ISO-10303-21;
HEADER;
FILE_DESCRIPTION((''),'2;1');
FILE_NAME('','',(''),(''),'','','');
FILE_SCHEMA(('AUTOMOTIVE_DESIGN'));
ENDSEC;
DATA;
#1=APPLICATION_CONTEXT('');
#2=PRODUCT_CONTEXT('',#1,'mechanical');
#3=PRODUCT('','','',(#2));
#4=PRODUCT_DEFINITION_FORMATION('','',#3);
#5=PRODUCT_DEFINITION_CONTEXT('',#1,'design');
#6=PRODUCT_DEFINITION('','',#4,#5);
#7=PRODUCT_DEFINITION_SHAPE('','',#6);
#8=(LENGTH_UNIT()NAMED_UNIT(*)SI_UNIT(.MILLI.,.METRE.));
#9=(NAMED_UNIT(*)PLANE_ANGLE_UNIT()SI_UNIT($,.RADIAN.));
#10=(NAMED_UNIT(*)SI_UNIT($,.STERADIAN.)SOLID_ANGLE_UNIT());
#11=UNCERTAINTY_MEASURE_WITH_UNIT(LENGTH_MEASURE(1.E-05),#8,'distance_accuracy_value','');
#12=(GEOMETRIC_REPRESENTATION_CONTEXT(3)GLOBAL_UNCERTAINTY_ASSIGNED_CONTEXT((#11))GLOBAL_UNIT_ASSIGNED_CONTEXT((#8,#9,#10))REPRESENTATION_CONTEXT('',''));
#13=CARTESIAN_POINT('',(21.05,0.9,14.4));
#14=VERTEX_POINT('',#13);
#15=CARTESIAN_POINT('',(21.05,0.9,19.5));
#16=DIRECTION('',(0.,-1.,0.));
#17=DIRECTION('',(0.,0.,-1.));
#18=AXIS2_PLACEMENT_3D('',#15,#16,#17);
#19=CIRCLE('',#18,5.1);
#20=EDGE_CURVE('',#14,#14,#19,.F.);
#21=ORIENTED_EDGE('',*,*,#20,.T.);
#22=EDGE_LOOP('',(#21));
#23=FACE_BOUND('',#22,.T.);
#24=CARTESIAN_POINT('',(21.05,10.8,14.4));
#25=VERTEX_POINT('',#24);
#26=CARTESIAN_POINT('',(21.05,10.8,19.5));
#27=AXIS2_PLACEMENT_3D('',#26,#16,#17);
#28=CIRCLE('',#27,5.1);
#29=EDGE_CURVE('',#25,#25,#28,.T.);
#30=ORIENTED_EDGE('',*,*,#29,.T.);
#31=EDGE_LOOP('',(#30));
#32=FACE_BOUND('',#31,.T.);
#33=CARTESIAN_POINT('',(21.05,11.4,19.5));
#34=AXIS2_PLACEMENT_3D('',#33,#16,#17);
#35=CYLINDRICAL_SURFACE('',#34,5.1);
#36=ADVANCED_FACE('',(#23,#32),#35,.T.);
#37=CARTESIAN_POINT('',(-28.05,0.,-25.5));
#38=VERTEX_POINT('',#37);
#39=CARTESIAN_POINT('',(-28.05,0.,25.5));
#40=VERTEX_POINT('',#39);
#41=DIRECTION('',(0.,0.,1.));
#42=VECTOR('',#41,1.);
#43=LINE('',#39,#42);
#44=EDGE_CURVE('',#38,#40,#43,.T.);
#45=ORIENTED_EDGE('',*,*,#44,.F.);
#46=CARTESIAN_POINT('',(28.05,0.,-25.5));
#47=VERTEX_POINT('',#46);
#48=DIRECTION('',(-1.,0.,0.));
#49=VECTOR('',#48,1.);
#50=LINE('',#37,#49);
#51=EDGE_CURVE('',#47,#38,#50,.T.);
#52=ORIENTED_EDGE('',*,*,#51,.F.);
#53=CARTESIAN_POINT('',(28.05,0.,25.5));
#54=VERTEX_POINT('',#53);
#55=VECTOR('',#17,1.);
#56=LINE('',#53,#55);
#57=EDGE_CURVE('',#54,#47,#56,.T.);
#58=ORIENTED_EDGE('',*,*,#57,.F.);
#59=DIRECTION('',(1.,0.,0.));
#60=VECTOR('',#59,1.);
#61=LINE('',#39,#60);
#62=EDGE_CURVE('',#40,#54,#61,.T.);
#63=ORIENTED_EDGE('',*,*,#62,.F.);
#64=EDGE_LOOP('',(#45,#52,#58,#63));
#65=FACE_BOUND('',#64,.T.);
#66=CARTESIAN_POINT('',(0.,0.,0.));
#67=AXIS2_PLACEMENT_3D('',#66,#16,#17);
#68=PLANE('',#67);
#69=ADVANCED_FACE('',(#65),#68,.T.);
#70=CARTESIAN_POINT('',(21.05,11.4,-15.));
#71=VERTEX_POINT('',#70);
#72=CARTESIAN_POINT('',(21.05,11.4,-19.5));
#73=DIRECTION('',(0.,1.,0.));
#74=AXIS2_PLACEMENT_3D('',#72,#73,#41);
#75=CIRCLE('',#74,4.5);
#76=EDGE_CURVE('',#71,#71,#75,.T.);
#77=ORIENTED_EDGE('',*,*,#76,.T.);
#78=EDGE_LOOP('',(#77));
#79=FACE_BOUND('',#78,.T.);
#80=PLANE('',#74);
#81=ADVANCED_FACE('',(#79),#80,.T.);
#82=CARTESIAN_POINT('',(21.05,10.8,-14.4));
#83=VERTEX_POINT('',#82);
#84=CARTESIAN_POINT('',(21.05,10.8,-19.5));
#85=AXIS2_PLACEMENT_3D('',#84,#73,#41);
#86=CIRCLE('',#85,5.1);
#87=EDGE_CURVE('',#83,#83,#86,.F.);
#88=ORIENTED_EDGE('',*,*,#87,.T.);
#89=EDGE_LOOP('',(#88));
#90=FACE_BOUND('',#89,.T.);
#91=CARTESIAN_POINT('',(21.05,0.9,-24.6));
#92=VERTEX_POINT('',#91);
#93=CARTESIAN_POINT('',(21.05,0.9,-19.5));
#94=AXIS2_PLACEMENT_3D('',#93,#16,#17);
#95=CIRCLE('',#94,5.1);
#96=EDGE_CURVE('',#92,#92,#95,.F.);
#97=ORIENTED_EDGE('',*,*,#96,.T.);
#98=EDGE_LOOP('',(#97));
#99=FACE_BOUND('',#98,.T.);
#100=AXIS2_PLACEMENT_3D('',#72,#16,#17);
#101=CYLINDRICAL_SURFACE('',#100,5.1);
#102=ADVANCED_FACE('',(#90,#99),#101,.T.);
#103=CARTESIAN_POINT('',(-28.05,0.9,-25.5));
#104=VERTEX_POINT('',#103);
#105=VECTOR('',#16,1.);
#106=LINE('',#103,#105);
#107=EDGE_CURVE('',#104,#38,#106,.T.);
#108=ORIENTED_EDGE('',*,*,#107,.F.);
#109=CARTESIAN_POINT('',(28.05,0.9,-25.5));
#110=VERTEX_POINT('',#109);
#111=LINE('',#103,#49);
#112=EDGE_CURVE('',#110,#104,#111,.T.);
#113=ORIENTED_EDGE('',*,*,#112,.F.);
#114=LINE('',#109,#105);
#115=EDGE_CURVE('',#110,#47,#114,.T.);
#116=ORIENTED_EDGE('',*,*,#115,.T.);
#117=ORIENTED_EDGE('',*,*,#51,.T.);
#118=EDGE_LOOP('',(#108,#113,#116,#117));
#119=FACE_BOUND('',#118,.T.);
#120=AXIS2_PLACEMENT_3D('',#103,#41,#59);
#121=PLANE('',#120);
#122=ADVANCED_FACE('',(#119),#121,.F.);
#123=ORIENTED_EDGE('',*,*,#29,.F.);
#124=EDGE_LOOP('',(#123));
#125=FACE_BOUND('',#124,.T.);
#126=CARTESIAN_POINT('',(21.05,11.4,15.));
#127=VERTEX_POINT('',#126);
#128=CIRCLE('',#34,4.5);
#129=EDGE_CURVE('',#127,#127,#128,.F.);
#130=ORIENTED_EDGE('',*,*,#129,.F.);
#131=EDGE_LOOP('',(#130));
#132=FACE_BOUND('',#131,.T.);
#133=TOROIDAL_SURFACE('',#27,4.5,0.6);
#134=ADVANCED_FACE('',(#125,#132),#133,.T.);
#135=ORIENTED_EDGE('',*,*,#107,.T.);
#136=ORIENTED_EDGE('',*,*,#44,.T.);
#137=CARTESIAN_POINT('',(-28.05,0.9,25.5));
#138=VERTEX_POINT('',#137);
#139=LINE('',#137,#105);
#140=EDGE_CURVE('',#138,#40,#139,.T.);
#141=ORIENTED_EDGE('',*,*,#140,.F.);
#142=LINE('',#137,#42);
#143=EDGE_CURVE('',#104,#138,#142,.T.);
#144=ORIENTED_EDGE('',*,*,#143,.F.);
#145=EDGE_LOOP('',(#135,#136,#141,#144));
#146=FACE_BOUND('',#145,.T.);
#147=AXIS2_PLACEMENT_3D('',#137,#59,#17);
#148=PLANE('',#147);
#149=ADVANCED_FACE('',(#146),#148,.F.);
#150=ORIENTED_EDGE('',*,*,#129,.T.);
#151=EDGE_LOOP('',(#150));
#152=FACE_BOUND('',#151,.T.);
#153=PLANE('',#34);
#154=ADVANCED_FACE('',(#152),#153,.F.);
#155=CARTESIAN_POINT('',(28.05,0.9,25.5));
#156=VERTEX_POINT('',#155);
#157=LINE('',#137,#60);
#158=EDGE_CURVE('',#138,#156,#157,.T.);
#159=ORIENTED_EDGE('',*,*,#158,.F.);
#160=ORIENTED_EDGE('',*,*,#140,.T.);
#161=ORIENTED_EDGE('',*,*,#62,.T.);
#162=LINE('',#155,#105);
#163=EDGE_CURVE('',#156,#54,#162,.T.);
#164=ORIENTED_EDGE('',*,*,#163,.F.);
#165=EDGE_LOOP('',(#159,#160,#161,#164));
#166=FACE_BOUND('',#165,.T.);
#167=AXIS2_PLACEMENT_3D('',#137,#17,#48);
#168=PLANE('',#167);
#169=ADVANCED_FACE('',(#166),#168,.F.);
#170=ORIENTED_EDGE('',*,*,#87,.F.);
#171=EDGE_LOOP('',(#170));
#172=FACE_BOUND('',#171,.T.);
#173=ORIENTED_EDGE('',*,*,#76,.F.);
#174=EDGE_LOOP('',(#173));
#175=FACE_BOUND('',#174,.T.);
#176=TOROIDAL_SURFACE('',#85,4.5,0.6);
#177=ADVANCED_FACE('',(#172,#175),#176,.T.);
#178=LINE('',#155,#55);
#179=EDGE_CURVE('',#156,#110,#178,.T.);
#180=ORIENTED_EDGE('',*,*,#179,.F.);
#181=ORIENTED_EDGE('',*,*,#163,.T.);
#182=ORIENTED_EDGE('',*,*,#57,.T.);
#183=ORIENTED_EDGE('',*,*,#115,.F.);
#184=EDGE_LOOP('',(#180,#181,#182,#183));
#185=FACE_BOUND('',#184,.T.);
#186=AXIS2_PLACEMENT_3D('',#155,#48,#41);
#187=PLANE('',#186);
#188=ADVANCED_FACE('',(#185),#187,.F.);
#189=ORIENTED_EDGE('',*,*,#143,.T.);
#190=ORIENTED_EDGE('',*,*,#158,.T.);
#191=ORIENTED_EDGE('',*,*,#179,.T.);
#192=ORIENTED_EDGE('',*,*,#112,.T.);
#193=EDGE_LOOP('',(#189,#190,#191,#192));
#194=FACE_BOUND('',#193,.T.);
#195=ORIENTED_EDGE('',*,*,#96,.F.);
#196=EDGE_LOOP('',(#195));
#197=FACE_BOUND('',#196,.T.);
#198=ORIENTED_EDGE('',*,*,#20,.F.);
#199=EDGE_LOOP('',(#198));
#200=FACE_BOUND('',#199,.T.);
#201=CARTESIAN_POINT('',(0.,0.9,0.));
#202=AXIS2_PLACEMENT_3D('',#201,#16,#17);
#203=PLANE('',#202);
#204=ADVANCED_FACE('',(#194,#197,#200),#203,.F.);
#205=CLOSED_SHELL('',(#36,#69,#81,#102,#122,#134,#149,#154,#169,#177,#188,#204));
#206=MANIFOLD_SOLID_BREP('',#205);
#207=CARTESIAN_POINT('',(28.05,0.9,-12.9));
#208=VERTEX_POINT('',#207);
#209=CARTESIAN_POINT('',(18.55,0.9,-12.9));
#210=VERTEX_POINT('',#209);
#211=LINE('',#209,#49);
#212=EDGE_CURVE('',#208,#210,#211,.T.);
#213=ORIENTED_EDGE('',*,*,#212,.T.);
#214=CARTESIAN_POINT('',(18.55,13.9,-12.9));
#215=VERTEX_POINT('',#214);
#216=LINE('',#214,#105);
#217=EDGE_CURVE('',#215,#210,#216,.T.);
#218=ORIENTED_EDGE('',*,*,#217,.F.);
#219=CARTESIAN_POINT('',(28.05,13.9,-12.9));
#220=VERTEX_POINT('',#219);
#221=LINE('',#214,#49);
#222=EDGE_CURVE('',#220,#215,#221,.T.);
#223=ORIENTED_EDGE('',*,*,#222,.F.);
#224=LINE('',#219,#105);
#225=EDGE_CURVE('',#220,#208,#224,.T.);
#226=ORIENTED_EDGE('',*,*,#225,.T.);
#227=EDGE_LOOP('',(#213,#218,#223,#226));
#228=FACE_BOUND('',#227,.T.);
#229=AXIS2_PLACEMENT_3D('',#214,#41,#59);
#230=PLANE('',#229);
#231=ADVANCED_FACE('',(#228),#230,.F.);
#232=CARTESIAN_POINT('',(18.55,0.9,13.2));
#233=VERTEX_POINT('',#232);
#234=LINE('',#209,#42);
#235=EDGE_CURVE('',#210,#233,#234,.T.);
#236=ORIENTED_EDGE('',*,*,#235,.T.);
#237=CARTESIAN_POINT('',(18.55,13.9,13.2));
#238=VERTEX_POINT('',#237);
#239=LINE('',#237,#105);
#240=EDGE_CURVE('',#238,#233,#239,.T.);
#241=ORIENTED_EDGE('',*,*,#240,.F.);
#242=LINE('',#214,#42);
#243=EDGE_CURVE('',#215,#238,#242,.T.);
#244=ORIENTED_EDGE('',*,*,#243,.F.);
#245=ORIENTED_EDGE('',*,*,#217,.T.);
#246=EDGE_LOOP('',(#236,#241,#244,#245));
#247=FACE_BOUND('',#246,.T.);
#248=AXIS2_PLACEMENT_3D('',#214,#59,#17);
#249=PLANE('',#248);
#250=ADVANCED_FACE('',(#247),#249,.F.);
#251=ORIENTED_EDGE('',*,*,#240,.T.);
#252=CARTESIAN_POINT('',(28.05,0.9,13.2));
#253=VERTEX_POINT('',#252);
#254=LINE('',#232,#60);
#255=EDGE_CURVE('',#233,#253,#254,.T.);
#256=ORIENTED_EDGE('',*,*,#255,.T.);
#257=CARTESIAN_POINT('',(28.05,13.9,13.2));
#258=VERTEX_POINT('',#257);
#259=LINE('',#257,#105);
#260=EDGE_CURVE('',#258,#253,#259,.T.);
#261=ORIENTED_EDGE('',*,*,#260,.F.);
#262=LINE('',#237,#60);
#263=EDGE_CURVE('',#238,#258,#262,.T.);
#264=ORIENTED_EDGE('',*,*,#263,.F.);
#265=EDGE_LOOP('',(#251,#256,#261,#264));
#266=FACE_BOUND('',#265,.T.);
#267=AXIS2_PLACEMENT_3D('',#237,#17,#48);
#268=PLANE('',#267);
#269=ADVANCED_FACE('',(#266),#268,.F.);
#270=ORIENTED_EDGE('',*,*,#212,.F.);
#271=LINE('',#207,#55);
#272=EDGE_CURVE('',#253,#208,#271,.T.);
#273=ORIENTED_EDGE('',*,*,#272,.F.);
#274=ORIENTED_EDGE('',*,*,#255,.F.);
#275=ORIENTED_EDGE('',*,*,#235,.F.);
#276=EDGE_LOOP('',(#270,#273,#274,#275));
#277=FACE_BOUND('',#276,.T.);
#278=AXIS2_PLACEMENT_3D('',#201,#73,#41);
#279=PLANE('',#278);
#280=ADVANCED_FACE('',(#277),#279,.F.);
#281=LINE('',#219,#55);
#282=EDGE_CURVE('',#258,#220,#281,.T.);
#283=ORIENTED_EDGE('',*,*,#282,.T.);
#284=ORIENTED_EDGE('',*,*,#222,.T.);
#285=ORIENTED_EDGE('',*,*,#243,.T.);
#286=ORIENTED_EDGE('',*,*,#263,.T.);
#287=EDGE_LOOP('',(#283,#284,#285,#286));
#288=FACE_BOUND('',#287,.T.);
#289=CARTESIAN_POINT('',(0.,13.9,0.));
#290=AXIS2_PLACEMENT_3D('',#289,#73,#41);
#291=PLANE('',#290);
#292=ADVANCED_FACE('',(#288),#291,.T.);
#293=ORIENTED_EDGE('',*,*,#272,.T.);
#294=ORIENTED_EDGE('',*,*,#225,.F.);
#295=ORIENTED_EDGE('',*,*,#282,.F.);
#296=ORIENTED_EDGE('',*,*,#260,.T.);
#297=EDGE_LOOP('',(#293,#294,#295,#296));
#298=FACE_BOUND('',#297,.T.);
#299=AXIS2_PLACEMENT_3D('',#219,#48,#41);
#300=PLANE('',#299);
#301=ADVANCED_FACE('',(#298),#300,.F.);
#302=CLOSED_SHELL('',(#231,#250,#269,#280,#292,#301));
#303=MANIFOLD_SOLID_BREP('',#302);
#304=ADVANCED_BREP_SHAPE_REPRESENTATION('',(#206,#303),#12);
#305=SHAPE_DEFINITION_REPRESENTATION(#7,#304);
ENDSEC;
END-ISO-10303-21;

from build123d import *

# Parameters (mm, degrees)
SKIZZE1_W                       = 56.1
SKIZZE1_H                       = 51
AUFSATZ_LINEAR_AUSTRAGEN1_DEPTH = 0.9
SKIZZE2_W                       = 9.5
SKIZZE2_H                       = 26.1
AUFSATZ_LINEAR_AUSTRAGEN2_DEPTH = 13
SKIZZE3_R                       = 5.1
AUFSATZ_LINEAR_AUSTRAGEN3_DEPTH = 10.5
VERRUNDUNG1_R                   = 0.6


with BuildPart() as part:
    # Skizze1 → Aufsatz-Linear austragen1 (new body)
    with BuildSketch(Plane(origin=(0, 0, 0), x_dir=(1, 0, 0), z_dir=(0, 1, 0))):
        Rectangle(SKIZZE1_W, SKIZZE1_H)
    extrude(amount=AUFSATZ_LINEAR_AUSTRAGEN1_DEPTH)

    # Skizze3 → Aufsatz-Linear austragen3 (add)
    with BuildSketch(Plane(origin=(0, 0.9, 0), x_dir=(1, 0, 0), z_dir=(0, 1, 0))):
        with Locations((21.05, 19.5)):
            Circle(SKIZZE3_R)
        with Locations((21.05, -19.5)):
            Circle(SKIZZE3_R)
    extrude(amount=AUFSATZ_LINEAR_AUSTRAGEN3_DEPTH)

    # Verrundung1
    verrundung1_edges = [part.edges().sort_by_distance(p)[0] for p in [
        (15.95, 11.4, -19.5),
        (15.95, 11.4, 19.5),
    ]]
    fillet(verrundung1_edges, radius=VERRUNDUNG1_R)


with BuildPart() as body_2:
    # Skizze2 → Aufsatz-Linear austragen2 (new body)
    with BuildSketch(Plane(origin=(0, 0.9, 0), x_dir=(1, 0, 0), z_dir=(0, 1, 0))):
        with Locations((23.3, -0.15)):
            Rectangle(SKIZZE2_W, SKIZZE2_H)
    extrude(amount=AUFSATZ_LINEAR_AUSTRAGEN2_DEPTH)


solid = Compound([part.part, body_2.part])
